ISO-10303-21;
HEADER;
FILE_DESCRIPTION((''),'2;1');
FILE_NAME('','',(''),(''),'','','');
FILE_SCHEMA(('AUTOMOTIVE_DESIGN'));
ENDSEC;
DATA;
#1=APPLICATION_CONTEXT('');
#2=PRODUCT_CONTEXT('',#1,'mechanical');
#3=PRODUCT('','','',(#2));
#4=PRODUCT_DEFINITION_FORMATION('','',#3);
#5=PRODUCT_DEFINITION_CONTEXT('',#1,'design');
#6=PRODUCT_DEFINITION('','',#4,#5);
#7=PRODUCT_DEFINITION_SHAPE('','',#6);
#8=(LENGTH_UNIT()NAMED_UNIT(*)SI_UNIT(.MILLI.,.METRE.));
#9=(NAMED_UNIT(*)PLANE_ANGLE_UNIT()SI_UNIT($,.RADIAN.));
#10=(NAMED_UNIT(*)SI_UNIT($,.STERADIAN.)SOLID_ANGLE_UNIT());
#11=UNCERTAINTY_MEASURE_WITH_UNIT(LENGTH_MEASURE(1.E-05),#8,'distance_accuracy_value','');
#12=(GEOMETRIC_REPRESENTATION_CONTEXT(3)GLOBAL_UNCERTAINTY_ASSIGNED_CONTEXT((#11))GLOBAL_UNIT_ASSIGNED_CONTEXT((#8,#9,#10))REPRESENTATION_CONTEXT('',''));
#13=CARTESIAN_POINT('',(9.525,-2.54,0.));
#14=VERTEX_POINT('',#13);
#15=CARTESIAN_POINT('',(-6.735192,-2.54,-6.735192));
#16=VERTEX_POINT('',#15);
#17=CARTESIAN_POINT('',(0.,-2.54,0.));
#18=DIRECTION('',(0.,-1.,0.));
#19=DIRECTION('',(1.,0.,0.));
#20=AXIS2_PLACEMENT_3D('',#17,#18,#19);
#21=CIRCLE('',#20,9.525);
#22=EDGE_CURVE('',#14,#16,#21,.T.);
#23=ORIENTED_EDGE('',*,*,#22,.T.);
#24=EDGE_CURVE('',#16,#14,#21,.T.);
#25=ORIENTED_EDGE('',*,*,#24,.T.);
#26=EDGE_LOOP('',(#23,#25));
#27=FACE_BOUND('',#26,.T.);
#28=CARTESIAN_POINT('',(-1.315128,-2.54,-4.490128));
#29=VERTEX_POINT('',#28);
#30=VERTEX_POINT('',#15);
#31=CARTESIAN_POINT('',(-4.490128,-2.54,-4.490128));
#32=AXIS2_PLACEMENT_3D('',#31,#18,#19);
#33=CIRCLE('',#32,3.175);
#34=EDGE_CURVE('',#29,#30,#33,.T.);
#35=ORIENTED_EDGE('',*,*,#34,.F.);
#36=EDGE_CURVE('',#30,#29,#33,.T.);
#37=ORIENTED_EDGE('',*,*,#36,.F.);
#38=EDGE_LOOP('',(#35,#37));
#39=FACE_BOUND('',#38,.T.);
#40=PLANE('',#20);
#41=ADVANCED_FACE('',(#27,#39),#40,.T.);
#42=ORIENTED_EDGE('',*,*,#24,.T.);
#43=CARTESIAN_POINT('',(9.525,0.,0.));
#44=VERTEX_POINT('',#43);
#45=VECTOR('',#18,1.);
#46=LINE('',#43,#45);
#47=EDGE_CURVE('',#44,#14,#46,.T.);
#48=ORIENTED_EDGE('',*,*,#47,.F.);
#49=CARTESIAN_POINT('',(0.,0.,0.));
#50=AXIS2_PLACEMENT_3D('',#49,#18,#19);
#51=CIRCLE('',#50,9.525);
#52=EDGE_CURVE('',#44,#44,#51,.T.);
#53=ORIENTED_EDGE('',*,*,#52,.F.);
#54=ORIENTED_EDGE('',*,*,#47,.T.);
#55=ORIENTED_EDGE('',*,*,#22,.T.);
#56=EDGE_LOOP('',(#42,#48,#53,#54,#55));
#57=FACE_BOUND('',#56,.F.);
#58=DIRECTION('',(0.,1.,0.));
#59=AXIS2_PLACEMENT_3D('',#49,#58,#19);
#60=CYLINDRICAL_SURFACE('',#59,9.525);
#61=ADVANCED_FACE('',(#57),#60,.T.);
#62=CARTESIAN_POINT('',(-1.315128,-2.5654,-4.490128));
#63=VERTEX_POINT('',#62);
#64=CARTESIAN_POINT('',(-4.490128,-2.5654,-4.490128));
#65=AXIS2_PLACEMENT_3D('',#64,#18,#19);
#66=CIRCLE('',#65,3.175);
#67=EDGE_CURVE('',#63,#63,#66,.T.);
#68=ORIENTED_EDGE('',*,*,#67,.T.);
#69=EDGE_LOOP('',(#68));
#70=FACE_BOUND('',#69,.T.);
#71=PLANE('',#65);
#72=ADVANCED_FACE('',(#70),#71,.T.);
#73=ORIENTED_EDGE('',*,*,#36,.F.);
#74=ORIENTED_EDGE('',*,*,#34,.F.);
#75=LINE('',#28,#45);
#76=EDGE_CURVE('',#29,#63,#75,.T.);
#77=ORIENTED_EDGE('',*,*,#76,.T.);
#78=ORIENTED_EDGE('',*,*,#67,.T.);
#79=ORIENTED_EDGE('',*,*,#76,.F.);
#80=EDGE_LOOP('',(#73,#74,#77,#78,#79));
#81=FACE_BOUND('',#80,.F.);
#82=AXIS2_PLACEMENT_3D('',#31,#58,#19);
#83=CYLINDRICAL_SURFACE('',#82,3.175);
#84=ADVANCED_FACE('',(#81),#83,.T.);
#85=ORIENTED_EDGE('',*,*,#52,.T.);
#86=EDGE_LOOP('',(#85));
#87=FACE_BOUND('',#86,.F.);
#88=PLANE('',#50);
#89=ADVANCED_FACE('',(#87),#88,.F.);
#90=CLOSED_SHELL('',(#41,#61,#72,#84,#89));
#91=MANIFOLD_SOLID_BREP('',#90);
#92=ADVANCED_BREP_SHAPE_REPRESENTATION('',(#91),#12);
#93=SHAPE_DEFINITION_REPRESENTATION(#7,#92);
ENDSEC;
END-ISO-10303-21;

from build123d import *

# Parameters (mm, degrees)
F0_R     = 9.525
F1_DEPTH = 2.54
F2_R     = 3.175
F3_DEPTH = 0.0254


with BuildPart() as f1:
    # F0 (on Front) → F1 (new body)
    with BuildSketch(Plane.XZ):
        Circle(F0_R)
    extrude(amount=F1_DEPTH)

    # F2 (on face) → F3 (join)
    with BuildSketch(Plane.XZ.offset(2.54)):
        with Locations((-4.490128, -4.490128)):
            Circle(F2_R)
    extrude(amount=F3_DEPTH)


solid = f1.part
